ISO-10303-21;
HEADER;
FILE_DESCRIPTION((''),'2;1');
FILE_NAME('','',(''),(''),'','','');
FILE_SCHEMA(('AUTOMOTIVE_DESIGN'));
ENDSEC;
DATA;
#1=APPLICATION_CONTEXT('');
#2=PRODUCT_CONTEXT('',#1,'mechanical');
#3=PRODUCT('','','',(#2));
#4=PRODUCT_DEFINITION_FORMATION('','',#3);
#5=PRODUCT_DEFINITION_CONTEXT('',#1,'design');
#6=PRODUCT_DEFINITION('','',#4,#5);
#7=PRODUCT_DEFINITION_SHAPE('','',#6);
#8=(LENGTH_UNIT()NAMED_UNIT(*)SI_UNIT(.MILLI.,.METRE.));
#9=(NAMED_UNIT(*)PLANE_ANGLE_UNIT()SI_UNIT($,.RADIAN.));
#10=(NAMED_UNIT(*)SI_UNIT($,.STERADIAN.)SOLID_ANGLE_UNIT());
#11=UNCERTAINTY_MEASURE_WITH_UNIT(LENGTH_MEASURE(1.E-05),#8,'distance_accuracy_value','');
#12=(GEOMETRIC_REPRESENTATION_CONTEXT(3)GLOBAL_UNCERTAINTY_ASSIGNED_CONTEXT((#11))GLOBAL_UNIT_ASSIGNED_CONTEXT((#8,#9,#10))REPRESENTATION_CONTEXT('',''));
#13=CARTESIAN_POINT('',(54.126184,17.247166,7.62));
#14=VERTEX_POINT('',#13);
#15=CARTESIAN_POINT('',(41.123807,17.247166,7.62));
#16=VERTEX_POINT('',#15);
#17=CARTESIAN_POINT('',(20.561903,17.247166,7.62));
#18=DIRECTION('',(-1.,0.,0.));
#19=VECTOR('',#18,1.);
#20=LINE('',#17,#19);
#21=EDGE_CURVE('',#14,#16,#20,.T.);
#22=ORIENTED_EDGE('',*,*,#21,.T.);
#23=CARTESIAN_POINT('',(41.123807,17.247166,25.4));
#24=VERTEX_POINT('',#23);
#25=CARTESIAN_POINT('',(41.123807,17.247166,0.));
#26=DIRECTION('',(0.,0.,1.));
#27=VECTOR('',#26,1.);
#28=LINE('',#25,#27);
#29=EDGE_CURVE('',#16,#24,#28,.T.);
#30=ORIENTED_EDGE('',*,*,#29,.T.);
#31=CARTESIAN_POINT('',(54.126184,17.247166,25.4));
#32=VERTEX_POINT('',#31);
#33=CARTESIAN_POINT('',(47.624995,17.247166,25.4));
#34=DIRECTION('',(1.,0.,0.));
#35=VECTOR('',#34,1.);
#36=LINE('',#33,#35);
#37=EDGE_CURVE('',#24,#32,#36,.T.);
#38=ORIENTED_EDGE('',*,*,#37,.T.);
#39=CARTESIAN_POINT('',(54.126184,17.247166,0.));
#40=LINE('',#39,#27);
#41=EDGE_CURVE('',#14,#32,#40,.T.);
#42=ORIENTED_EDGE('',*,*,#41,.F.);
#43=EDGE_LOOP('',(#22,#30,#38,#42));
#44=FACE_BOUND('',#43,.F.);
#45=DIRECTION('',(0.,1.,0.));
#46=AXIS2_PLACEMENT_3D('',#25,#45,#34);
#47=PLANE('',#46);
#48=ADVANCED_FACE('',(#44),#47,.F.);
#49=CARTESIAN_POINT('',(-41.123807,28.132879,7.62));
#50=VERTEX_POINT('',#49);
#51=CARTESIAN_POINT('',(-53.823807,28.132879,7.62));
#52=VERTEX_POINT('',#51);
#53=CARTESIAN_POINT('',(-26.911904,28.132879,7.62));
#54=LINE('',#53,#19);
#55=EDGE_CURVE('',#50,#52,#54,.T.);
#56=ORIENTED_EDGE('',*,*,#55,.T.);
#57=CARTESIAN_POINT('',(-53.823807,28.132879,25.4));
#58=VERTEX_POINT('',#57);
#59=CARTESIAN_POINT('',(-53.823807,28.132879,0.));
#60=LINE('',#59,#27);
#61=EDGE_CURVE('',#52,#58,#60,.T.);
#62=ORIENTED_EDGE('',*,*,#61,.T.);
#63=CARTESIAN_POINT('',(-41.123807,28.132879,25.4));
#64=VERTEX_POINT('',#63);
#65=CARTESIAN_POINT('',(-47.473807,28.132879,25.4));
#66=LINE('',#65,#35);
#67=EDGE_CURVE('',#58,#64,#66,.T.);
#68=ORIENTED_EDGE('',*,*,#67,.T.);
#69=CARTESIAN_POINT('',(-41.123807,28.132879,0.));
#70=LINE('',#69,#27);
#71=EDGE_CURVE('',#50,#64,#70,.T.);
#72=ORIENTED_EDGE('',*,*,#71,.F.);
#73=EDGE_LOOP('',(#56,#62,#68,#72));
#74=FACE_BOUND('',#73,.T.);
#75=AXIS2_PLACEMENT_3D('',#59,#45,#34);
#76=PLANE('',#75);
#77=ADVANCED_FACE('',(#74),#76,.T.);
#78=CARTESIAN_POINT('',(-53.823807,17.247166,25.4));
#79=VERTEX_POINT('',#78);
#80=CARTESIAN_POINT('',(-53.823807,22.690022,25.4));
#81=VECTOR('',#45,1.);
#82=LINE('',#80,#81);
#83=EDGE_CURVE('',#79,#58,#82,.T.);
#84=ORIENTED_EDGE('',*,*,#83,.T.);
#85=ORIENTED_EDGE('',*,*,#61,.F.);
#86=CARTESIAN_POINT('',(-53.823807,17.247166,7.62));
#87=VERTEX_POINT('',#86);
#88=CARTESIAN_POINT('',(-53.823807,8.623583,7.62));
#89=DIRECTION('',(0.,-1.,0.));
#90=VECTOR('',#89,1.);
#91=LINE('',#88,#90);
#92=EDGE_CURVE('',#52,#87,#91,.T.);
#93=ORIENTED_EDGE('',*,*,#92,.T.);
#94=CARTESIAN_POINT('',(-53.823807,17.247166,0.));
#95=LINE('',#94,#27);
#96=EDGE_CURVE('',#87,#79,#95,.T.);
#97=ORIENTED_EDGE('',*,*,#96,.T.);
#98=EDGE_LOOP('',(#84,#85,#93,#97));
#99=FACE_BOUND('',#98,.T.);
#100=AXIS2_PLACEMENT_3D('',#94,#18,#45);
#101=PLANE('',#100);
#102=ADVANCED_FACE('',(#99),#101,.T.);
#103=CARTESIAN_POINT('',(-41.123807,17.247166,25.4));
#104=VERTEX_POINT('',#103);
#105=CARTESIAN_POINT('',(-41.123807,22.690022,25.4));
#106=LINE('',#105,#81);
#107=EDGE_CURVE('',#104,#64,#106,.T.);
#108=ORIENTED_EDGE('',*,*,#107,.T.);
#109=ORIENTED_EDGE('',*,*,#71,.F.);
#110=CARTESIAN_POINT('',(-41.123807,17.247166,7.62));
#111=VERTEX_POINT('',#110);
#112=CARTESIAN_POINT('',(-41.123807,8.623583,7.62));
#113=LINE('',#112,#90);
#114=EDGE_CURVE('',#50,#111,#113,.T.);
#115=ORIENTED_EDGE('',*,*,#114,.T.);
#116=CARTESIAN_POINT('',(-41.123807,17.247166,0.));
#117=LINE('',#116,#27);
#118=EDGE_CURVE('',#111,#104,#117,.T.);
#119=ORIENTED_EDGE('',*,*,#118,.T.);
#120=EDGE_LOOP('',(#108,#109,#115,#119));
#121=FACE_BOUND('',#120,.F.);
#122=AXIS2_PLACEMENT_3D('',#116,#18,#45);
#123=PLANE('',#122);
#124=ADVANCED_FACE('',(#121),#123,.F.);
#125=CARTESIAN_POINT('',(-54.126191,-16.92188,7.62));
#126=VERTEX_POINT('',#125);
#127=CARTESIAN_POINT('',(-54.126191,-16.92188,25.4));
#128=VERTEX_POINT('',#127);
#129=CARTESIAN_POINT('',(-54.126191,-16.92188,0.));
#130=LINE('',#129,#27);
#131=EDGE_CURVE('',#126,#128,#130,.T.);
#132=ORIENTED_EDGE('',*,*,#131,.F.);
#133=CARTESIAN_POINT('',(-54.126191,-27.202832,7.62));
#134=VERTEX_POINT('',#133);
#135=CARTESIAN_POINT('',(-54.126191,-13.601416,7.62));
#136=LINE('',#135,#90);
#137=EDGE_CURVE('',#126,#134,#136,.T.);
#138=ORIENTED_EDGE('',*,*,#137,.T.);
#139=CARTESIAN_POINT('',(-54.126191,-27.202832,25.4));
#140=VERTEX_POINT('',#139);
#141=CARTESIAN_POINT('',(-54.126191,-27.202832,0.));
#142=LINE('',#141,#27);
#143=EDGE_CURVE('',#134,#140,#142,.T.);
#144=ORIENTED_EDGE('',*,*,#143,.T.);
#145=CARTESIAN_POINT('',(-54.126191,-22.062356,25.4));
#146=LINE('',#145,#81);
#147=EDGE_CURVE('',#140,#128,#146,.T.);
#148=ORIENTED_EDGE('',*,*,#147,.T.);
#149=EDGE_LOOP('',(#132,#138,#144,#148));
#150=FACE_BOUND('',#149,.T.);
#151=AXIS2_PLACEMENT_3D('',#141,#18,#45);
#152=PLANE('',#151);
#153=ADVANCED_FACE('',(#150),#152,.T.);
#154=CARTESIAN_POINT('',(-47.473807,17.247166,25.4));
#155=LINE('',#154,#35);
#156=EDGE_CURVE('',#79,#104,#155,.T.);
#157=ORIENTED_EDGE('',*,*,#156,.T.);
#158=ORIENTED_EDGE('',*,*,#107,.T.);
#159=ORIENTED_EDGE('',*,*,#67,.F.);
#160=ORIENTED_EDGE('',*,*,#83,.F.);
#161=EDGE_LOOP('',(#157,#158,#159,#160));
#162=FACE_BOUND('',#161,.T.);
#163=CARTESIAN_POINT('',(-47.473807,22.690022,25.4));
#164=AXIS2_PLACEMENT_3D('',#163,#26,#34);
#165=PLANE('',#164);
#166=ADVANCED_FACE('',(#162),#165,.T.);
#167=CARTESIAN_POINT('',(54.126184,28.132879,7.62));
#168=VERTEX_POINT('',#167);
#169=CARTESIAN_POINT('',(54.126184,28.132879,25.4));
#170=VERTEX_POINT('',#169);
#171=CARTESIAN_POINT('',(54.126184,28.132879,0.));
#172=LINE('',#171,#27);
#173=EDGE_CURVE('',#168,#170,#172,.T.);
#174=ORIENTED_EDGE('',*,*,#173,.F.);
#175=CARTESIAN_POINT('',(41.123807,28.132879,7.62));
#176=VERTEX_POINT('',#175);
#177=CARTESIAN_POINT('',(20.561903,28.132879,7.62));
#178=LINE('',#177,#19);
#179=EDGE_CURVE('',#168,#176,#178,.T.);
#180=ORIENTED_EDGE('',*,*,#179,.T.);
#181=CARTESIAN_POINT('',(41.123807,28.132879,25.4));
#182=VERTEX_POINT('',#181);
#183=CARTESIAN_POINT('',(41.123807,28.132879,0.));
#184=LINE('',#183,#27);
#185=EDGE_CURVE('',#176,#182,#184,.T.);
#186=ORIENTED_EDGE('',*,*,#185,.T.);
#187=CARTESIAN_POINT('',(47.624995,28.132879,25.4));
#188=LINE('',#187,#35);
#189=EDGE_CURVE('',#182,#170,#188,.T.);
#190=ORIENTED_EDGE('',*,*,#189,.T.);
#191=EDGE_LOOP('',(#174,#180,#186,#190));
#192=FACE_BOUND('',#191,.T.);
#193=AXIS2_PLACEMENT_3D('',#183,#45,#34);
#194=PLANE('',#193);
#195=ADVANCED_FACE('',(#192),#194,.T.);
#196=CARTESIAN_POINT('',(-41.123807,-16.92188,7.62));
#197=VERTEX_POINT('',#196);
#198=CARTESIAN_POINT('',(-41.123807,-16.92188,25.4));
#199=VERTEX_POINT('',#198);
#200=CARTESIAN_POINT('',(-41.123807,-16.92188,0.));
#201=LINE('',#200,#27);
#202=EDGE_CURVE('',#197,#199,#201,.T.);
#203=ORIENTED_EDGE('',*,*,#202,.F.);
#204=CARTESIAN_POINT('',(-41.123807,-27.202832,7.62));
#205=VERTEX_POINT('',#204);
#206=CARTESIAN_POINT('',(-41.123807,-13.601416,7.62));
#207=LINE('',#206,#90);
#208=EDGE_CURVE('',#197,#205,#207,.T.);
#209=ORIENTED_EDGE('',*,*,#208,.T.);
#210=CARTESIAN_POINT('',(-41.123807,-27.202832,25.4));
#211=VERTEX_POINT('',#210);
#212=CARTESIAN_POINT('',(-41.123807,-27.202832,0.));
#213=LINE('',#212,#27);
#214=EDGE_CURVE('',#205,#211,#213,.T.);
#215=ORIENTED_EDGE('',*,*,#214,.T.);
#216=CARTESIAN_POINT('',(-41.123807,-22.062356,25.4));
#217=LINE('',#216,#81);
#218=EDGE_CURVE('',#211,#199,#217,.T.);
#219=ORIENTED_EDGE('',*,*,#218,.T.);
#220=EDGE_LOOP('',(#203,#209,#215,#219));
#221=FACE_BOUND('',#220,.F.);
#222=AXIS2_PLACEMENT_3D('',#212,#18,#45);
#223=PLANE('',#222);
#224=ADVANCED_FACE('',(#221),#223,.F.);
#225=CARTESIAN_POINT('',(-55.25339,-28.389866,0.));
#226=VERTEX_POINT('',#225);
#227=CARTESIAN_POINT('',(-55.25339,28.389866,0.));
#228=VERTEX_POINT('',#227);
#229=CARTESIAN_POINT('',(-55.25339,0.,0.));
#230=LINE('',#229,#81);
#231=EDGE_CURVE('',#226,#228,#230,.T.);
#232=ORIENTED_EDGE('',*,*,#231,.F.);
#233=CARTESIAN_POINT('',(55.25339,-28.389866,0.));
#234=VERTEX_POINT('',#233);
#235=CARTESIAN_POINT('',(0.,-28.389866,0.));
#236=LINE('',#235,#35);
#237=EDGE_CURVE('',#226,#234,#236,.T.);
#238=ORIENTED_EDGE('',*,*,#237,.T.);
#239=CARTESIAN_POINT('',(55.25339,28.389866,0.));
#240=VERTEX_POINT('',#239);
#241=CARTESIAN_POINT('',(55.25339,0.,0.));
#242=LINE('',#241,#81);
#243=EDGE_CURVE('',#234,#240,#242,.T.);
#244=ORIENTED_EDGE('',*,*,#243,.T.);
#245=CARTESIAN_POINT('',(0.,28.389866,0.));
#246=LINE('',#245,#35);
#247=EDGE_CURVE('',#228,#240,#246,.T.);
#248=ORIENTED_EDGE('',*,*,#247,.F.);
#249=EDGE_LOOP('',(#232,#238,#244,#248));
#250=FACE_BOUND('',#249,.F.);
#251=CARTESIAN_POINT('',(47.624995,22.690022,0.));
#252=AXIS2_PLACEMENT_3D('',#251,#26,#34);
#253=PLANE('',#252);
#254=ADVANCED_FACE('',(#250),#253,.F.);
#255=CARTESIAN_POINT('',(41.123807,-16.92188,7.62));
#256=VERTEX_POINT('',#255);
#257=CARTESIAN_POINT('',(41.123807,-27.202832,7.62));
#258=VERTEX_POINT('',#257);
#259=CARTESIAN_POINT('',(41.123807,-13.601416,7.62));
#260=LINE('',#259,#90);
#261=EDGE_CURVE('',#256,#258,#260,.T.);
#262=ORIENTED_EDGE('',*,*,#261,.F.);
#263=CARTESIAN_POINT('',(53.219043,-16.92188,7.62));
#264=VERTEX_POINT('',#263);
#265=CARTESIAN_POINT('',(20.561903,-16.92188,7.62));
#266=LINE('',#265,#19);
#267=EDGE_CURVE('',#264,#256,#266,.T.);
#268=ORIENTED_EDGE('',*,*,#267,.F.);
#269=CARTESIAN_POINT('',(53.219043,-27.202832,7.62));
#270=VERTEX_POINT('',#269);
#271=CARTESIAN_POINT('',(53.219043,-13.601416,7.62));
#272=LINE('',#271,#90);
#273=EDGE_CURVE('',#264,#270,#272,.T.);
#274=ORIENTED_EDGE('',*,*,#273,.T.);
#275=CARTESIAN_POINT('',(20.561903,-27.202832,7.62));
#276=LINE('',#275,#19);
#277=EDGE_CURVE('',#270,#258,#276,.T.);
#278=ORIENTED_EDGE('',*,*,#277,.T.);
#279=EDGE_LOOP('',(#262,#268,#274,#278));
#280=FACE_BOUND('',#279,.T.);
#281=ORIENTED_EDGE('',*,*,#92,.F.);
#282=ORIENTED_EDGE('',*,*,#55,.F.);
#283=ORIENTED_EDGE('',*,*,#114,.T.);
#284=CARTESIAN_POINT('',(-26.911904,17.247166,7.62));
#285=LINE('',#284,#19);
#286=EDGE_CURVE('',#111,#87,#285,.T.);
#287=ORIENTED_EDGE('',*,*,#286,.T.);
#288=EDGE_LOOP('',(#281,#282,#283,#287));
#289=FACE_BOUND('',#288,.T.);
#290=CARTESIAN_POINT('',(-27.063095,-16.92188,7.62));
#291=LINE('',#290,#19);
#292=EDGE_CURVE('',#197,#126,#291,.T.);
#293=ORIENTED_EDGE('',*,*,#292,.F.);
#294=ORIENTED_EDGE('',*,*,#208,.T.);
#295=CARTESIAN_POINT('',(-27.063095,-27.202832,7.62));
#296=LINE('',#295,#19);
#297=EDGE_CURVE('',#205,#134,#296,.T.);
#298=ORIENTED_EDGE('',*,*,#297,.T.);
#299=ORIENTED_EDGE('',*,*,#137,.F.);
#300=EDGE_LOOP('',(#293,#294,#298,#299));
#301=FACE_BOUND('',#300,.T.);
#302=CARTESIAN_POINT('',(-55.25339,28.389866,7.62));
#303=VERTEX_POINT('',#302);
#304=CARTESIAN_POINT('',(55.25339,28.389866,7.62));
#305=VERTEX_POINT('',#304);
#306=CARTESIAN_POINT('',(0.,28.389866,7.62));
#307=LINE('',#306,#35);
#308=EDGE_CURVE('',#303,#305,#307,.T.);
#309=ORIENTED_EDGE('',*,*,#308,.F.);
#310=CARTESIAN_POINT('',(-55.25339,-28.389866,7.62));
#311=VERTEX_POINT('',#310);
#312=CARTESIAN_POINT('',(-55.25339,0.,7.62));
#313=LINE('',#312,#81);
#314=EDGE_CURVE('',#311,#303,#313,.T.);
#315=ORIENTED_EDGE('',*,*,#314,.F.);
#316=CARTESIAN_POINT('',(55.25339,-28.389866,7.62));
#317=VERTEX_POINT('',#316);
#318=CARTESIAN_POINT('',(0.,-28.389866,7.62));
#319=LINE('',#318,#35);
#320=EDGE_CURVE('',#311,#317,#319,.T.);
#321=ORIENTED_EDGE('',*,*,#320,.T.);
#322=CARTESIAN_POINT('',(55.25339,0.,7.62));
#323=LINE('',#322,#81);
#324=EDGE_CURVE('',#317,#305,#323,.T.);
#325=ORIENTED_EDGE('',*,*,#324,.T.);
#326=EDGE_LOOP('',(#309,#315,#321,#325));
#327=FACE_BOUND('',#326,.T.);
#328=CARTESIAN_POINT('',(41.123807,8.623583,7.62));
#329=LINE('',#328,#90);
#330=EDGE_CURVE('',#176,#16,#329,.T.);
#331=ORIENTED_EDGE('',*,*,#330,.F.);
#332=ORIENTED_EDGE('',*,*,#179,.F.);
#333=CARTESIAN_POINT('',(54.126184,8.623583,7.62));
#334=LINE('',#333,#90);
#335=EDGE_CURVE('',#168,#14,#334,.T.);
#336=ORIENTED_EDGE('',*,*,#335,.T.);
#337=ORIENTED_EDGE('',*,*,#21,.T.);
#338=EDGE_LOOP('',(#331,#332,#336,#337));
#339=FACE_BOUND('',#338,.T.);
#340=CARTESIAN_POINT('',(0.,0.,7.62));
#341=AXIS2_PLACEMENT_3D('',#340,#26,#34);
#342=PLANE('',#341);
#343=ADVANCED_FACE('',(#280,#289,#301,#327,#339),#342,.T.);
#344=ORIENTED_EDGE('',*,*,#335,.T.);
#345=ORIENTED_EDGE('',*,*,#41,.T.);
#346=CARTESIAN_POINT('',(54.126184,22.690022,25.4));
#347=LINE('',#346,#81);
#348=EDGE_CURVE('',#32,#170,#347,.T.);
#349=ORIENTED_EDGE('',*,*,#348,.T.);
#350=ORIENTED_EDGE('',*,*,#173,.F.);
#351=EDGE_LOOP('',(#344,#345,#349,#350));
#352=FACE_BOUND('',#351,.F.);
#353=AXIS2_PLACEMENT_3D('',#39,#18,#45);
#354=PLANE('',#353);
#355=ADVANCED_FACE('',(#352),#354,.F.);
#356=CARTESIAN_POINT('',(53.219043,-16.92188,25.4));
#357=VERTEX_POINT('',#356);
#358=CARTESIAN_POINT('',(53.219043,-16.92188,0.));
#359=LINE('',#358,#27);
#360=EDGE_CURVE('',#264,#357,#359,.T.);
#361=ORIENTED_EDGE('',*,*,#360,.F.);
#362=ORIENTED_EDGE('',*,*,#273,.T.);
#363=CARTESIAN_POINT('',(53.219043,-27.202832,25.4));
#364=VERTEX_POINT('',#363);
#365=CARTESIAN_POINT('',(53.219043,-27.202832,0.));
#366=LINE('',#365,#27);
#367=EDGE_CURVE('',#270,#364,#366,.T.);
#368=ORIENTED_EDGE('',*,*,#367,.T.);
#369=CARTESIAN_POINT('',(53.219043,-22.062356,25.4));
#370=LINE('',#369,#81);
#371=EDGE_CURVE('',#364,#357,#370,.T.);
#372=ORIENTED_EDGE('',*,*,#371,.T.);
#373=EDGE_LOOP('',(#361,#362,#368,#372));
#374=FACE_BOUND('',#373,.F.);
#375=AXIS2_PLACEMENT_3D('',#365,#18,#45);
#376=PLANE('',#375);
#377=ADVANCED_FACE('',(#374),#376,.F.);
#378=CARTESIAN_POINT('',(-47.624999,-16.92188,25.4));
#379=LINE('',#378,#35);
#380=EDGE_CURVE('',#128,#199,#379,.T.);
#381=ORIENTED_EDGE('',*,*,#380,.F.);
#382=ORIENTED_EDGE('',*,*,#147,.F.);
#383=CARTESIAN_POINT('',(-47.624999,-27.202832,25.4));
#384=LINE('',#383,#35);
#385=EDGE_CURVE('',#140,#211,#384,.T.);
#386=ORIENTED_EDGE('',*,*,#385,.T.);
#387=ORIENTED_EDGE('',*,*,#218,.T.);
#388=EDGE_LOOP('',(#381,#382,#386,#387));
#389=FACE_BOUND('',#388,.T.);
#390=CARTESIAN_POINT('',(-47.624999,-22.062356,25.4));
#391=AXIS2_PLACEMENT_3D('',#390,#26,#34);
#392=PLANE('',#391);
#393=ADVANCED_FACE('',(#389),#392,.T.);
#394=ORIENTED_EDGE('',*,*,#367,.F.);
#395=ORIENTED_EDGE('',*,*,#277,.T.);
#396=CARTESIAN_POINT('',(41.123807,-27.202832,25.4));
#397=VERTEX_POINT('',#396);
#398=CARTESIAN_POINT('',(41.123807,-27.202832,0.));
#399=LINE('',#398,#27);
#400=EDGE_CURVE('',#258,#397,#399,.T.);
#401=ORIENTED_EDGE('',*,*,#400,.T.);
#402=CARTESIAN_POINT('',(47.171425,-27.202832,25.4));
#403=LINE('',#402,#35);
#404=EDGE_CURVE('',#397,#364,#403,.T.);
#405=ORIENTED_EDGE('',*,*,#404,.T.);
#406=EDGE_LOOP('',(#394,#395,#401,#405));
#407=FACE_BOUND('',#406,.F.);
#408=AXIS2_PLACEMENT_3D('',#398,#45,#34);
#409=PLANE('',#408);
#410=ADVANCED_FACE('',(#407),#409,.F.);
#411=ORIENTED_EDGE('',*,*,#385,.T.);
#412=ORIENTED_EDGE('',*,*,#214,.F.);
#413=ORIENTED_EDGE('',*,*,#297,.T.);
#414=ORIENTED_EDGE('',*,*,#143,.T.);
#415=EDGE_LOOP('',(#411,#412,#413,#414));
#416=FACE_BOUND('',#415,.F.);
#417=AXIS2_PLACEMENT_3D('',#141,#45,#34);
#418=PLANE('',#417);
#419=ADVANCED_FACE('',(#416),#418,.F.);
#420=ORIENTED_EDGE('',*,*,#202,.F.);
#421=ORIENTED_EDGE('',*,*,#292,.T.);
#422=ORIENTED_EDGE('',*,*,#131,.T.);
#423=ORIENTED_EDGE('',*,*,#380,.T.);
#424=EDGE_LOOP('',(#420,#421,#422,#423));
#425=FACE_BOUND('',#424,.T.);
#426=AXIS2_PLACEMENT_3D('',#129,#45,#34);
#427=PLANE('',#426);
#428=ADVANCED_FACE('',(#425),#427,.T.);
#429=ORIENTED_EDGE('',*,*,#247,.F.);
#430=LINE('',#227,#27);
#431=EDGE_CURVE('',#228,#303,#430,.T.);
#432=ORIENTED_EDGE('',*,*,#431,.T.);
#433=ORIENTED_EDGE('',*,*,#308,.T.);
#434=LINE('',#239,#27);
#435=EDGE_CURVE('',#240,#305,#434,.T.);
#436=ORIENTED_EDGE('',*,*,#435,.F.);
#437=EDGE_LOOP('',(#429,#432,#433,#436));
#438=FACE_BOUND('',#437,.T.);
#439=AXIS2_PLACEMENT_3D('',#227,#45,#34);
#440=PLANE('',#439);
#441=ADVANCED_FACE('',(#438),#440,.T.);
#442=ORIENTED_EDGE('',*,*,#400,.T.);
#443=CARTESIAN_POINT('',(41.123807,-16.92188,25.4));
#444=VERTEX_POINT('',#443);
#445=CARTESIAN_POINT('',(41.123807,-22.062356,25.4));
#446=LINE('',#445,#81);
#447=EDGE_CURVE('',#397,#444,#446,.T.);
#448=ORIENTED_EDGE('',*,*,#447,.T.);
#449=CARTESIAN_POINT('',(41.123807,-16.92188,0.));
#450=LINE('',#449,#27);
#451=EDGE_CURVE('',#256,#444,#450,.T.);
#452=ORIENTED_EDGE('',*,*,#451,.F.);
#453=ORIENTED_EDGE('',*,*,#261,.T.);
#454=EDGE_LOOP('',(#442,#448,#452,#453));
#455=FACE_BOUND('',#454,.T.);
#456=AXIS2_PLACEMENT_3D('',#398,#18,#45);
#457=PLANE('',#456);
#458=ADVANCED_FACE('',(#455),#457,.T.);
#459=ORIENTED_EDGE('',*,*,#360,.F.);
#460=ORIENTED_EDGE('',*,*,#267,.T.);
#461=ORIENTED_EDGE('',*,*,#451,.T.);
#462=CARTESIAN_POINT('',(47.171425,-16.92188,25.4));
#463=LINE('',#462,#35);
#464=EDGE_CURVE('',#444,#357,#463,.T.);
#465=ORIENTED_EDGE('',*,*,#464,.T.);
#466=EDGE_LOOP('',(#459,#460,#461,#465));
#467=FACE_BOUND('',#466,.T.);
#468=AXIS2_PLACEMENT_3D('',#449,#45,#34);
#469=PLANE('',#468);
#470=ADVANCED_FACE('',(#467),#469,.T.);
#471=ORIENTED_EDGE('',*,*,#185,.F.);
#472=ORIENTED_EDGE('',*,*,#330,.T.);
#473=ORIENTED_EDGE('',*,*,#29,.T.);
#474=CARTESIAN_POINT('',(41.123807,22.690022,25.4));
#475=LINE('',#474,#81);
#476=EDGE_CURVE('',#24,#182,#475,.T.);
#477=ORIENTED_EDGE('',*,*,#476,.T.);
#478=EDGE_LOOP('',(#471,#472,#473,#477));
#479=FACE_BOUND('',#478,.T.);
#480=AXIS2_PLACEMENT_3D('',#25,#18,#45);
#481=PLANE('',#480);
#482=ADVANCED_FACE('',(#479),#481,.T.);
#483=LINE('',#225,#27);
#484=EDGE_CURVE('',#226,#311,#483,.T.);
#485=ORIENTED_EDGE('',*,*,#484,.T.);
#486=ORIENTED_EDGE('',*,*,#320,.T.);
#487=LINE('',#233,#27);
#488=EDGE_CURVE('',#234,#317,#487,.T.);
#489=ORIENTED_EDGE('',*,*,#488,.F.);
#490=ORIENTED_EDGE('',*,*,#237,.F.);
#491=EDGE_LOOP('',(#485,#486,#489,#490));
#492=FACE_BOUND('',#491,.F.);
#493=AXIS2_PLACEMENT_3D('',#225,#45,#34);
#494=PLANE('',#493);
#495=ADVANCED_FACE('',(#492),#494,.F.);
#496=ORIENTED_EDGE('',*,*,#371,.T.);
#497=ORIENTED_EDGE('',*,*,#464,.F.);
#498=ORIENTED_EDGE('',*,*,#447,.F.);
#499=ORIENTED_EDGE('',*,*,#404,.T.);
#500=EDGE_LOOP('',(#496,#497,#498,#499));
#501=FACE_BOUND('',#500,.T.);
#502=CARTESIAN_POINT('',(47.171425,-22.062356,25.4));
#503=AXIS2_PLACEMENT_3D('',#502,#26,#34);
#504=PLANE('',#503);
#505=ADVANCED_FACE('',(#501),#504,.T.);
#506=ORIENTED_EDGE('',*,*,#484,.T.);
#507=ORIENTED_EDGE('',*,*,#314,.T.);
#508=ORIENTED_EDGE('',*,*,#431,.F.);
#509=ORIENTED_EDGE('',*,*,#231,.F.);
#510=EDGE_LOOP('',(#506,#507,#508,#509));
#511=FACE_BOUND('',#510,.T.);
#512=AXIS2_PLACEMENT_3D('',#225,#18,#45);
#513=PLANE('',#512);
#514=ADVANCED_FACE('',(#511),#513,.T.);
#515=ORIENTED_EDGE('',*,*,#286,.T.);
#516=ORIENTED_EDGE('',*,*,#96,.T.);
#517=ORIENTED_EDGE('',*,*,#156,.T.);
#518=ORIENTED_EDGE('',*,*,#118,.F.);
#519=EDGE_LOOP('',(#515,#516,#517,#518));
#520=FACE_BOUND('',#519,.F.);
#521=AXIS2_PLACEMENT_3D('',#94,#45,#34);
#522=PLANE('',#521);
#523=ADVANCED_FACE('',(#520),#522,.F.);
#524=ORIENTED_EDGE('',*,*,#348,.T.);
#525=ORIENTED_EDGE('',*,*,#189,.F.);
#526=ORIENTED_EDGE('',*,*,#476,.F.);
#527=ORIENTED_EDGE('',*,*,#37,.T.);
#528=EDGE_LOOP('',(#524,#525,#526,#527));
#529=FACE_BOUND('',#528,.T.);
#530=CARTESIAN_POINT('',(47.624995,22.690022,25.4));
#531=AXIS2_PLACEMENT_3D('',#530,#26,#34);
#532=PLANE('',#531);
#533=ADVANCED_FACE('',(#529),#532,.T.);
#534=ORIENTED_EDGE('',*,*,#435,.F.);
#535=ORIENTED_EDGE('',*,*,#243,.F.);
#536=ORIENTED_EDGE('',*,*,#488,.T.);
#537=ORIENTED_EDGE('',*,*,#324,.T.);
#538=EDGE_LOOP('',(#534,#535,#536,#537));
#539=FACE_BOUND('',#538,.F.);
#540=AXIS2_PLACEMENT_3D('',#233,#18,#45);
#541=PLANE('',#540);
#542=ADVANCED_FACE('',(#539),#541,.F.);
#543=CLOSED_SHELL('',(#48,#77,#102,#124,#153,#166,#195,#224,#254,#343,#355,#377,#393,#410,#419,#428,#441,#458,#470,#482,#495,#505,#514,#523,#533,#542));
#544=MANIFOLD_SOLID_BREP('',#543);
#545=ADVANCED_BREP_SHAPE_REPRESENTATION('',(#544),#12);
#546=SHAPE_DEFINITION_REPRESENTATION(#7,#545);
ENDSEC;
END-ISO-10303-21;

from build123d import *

# Parameters (mm, degrees)
F0_W     = 110.50678
F0_H     = 56.779732
F3_DEPTH = 7.62
F1_W     = 13.002377
F1_H     = 10.885713
F1_W_2   = 12.095236
F1_H_2   = 10.280952
F1_W_3   = 13.002384
F1_W_4   = 12.7
F4_DEPTH = 25.4


with BuildPart() as f3:
    # F0 (on Top) → F3 (new body)
    with BuildSketch(Plane.XY):
        Rectangle(F0_W, F0_H)
    extrude(amount=F3_DEPTH)

    # F1 (on face) → F4 (join)
    with BuildSketch(Plane.XY):
        with Locations((47.624995, 22.690022)):
            Rectangle(F1_W, F1_H)
        with Locations((47.171425, -22.062356)):
            Rectangle(F1_W_2, F1_H_2)
        with Locations((-47.624999, -22.062356)):
            Rectangle(F1_W_3, F1_H_2)
        with Locations((-47.473807, 22.690022)):
            Rectangle(F1_W_4, F1_H)
    extrude(amount=F4_DEPTH)


solid = f3.part
